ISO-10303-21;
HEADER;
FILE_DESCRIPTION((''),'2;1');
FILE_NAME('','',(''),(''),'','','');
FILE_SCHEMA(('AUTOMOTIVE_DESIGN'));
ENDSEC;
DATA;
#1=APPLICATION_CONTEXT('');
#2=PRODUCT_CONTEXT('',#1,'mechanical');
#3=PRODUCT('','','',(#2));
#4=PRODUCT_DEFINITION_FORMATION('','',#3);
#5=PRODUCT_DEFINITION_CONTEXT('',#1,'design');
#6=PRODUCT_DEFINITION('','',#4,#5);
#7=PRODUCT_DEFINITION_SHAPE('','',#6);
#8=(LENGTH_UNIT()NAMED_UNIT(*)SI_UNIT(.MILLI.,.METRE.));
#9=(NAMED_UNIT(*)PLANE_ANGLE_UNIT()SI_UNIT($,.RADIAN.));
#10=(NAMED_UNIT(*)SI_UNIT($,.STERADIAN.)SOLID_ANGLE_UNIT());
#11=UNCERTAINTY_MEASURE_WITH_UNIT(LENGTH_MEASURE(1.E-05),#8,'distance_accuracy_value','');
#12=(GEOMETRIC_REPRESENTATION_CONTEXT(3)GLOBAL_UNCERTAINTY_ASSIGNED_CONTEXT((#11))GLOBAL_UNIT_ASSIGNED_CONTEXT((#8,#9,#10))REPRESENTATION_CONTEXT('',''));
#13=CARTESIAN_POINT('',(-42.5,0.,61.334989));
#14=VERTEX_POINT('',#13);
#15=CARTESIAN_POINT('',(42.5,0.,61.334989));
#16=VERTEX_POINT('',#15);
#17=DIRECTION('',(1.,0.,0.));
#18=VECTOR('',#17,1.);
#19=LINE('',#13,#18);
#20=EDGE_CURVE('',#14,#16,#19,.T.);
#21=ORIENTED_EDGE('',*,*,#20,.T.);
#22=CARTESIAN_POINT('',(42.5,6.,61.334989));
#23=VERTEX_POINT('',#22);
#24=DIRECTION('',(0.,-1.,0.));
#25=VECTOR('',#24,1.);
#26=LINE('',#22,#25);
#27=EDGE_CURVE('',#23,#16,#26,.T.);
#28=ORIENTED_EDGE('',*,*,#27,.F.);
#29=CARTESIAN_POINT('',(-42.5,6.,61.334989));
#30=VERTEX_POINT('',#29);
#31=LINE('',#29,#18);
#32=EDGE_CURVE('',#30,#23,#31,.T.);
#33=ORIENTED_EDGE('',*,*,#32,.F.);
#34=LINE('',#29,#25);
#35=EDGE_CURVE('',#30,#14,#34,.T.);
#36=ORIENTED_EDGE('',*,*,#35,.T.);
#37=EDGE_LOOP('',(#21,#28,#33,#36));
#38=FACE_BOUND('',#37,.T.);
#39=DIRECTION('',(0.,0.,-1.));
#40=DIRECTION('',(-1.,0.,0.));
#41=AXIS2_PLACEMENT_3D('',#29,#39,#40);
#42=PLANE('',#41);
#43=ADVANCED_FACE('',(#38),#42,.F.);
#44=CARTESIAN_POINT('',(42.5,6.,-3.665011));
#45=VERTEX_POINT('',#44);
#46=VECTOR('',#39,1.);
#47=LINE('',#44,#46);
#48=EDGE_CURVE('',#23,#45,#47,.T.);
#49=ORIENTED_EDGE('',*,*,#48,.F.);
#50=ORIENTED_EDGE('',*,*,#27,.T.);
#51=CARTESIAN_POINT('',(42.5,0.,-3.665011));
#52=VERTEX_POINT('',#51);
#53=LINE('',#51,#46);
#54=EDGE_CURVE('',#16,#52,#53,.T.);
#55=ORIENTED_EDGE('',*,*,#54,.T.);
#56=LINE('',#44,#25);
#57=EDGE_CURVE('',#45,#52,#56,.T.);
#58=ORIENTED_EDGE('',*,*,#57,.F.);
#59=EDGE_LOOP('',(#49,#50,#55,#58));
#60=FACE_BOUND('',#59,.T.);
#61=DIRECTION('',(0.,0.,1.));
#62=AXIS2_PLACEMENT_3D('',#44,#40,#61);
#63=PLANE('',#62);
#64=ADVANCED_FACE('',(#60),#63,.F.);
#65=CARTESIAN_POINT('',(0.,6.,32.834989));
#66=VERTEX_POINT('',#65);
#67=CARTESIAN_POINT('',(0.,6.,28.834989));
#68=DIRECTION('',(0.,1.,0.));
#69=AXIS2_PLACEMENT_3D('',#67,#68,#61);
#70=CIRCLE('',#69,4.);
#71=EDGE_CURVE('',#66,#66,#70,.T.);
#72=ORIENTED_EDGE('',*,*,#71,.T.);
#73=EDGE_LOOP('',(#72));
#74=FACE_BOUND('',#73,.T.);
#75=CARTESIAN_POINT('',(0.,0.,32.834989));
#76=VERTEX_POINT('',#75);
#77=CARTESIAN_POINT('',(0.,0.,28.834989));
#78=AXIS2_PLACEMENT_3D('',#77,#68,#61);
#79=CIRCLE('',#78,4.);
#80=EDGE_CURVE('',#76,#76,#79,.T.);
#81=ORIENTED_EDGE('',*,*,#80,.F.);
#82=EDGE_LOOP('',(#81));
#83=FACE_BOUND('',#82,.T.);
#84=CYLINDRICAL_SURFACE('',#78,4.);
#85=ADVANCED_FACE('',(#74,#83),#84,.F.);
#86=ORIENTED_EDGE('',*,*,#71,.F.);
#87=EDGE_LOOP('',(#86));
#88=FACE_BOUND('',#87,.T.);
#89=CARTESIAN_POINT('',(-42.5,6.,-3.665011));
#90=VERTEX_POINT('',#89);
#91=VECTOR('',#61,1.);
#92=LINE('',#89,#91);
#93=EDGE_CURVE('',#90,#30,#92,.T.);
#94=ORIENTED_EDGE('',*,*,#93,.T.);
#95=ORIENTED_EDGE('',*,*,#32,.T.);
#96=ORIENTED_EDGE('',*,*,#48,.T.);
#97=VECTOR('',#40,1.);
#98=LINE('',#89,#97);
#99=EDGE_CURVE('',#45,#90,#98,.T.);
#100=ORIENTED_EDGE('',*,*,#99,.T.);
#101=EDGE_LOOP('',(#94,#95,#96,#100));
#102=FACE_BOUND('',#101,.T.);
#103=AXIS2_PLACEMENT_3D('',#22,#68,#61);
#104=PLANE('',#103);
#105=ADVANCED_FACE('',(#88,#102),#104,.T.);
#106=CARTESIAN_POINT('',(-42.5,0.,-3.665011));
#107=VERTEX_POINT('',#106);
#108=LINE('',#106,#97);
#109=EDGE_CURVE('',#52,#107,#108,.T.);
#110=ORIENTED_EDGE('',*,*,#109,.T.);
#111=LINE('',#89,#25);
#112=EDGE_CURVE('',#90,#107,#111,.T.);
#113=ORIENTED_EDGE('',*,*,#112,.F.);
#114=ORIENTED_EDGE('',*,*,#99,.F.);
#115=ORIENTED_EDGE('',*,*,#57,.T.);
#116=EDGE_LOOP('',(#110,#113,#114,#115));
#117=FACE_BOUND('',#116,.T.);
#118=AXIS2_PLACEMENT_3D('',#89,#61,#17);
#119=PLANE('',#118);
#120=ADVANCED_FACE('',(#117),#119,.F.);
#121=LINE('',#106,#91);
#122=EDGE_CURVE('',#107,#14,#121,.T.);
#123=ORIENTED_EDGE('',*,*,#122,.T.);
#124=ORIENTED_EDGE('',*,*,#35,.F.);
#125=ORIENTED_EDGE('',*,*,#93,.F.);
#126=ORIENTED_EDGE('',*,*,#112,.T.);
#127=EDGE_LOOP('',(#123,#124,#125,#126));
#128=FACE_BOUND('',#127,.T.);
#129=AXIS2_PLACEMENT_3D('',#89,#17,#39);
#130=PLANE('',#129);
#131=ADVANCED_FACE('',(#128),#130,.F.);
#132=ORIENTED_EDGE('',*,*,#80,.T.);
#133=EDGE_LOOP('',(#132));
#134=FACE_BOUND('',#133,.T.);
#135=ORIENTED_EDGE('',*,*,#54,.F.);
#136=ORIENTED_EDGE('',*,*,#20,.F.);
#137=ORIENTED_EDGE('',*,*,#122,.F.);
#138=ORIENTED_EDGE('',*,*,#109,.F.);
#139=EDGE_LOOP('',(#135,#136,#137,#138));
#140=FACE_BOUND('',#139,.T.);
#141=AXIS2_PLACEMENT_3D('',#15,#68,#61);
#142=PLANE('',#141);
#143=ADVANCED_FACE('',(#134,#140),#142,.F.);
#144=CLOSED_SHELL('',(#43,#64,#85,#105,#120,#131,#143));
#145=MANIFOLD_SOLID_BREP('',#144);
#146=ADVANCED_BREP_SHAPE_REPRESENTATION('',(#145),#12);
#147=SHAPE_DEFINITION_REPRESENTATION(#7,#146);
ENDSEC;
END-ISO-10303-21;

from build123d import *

# Parameters (mm, degrees)
SKETCH_1_W          = 85
SKETCH_1_H          = 65
EXTRUDE_1_DEPTH     = 6
SKETCH_3_R          = 4
CUT_EXTRUDE_2_DEPTH = 75.861411438


with BuildPart() as part:
    # Эскиз1 → Вытянуть1 (new body)
    with BuildSketch(Plane(origin=(0, 0, 0), x_dir=(1, 0, 0), z_dir=(0, 1, 0))):
        with Locations((0, -28.834989382)):
            Rectangle(SKETCH_1_W, SKETCH_1_H)
    extrude(amount=EXTRUDE_1_DEPTH)

    # Эскиз3 → Вырез-Вытянуть2 (cut, through all)
    with BuildSketch(Plane(origin=(0, 6, 0), x_dir=(1, 0, 0), z_dir=(0, 1, 0))):
        with Locations(Location((0, -28.834989382, 0), (0, 0, 270))):
            Circle(SKETCH_3_R)
    extrude(amount=-CUT_EXTRUDE_2_DEPTH, mode=Mode.SUBTRACT)


solid = part.part
